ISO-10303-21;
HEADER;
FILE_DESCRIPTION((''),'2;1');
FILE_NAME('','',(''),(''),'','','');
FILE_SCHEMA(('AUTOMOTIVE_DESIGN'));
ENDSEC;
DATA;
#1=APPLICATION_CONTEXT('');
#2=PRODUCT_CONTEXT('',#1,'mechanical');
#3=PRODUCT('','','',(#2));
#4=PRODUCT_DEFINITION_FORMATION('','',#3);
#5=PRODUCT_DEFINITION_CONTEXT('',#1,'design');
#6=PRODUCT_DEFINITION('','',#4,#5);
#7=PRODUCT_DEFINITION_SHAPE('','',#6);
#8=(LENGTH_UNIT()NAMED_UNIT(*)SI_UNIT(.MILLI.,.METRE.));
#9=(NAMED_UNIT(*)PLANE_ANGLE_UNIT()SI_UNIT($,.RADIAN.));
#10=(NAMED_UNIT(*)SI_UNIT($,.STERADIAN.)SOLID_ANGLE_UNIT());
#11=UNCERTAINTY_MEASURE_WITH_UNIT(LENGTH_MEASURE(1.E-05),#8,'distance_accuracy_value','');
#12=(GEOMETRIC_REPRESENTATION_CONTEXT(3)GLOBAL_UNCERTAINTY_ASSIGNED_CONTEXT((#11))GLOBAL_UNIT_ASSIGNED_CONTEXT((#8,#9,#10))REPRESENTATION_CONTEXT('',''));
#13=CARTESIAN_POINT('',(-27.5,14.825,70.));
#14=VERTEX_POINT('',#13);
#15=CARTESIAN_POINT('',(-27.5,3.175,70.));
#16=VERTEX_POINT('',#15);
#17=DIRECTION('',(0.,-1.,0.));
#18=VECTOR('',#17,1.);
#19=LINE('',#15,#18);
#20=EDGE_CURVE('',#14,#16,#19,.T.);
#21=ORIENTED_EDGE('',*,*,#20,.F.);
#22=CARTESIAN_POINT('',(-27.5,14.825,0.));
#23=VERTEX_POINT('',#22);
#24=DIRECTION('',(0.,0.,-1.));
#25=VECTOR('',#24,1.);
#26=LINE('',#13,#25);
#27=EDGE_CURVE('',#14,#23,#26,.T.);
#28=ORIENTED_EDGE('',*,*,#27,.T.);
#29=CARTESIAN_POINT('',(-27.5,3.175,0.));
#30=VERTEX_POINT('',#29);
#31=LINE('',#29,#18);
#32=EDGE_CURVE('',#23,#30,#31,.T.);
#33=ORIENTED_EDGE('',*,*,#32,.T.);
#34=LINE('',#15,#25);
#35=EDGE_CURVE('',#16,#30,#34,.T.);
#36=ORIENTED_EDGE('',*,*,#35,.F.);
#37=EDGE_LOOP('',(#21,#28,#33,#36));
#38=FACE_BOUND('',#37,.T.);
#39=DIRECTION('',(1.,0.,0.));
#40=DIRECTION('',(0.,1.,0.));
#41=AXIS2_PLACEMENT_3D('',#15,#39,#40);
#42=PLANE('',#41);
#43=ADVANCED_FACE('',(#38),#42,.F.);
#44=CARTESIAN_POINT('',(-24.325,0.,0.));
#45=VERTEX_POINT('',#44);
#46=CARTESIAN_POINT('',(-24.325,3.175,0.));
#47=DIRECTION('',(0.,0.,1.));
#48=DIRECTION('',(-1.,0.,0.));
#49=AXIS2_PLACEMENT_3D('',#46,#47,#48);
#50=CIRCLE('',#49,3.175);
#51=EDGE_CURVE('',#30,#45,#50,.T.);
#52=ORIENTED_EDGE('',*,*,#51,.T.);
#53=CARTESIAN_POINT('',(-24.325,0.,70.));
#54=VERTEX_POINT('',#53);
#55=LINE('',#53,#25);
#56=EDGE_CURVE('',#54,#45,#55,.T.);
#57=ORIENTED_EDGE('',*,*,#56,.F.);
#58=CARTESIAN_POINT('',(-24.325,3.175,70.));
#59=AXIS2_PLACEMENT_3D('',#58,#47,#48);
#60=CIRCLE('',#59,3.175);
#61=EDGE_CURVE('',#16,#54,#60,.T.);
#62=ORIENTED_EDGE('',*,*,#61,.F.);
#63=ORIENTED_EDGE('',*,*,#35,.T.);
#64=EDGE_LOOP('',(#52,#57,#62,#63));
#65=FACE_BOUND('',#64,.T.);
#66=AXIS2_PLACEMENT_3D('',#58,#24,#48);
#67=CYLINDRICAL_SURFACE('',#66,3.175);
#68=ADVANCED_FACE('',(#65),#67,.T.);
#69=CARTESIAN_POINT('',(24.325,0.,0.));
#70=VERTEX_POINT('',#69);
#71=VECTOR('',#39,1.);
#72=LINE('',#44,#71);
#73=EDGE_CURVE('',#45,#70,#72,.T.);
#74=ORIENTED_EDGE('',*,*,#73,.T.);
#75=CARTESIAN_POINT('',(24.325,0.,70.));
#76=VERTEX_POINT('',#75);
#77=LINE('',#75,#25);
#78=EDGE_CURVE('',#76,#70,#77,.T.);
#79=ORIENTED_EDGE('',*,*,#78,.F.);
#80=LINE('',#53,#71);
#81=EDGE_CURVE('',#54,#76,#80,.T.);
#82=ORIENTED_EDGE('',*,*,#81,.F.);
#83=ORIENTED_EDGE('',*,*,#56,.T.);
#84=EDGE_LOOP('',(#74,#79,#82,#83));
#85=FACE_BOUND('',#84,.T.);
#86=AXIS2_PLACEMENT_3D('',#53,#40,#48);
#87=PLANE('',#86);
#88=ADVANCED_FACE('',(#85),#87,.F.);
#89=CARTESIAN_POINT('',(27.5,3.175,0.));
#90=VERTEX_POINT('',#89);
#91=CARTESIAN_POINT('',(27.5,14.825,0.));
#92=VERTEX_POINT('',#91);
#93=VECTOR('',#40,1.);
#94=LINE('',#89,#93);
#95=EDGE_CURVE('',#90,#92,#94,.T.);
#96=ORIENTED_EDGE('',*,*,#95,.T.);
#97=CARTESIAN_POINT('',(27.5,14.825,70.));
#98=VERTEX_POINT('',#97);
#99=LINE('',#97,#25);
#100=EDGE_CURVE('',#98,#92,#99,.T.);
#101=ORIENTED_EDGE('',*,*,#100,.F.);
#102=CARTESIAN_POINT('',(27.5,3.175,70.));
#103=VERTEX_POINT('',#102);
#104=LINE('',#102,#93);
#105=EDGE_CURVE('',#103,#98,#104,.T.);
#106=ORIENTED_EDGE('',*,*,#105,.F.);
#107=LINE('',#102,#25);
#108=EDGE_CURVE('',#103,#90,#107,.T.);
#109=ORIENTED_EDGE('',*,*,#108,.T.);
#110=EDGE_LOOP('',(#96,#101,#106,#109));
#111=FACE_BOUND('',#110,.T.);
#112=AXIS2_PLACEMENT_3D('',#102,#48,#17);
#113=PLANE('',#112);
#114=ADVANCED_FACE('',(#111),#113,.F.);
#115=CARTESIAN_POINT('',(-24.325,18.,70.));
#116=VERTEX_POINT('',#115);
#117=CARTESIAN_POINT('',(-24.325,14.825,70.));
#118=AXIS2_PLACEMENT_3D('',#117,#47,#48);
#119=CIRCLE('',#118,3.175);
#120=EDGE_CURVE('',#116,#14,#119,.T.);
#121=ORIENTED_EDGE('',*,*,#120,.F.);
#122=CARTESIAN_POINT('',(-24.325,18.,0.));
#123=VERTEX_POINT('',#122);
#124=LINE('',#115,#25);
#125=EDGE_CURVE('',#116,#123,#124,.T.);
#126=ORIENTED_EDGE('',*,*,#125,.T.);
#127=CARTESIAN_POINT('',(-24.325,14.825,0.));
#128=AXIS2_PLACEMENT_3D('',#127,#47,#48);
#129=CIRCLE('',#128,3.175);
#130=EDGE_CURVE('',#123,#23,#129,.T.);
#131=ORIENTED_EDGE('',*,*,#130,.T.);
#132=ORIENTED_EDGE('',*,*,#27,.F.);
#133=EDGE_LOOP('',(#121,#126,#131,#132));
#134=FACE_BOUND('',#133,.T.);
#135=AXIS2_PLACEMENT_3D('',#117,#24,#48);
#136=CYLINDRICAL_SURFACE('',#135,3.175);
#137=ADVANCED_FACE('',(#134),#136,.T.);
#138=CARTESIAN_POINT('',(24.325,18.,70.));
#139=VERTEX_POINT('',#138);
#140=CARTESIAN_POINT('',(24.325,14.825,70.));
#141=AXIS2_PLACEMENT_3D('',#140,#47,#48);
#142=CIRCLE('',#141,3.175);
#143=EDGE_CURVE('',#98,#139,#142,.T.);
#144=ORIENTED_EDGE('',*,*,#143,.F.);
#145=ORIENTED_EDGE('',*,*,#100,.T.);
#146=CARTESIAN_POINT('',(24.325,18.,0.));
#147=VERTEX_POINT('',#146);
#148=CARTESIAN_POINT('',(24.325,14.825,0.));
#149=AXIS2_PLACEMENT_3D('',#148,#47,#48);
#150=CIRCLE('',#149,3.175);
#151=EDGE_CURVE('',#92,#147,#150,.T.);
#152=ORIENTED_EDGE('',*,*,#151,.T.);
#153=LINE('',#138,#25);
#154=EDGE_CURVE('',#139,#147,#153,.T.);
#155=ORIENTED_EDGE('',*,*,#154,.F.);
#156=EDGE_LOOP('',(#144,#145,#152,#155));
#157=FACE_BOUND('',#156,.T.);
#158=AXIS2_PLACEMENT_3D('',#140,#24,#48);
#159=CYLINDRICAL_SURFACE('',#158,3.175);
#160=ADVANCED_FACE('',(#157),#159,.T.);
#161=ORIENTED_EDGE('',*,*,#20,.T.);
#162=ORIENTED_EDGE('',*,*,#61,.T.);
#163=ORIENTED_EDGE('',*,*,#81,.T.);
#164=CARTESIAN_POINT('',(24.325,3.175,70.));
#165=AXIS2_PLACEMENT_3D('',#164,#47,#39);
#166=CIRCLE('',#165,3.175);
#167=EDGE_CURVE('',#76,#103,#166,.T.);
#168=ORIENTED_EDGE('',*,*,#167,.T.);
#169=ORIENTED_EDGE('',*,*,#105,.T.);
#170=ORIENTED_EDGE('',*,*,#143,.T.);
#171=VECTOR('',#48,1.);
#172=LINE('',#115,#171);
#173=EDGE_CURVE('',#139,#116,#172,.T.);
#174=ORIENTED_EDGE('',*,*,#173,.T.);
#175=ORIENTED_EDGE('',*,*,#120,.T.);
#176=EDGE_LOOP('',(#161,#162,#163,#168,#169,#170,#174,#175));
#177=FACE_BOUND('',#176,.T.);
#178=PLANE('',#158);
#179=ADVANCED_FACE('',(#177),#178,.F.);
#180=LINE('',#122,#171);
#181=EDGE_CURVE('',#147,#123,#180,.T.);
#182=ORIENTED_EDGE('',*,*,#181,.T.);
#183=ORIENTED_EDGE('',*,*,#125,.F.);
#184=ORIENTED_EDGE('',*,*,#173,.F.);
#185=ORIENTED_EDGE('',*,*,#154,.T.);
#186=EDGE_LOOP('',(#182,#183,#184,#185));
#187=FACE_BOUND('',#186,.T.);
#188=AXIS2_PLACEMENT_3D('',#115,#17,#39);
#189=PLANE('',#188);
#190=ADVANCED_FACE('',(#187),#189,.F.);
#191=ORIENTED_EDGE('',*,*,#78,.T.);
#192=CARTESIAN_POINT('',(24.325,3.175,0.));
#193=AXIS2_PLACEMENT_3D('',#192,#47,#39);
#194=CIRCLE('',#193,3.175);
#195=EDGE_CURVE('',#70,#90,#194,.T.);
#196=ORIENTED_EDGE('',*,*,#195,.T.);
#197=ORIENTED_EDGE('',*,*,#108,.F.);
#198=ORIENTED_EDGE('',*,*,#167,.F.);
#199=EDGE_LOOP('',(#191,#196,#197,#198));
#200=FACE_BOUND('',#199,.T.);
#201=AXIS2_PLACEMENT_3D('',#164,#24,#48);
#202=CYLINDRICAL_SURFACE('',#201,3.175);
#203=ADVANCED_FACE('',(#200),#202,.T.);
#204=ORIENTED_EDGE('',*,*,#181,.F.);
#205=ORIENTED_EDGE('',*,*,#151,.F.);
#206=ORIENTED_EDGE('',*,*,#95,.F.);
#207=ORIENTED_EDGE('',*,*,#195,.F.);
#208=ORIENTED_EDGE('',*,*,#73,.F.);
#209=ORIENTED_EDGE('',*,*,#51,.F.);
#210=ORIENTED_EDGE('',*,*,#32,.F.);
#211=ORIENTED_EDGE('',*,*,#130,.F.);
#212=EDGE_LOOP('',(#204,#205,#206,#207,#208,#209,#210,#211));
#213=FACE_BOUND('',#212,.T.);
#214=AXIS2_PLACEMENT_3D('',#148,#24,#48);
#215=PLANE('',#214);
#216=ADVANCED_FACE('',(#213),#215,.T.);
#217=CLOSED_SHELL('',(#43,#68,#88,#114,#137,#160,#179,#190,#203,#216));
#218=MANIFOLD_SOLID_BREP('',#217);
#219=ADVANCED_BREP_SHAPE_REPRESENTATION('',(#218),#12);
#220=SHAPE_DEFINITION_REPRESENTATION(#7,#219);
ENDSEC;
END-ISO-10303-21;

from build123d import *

# Parameters (mm, degrees)
BOSS_EXTRUDE1_DEPTH = 70


with BuildPart() as part:
    # Sketch1 → Boss-Extrude1 (new body)
    with BuildSketch(Plane.XY):
        with BuildLine():
            Line((-24.325, 0), (24.325, 0))
            ThreePointArc((24.325, 0), (26.57006403, 0.92993597), (27.5, 3.175))
            Line((27.5, 3.175), (27.5, 14.825))
            ThreePointArc((27.5, 14.825), (26.57006403, 17.07006403), (24.325, 18))
            Line((24.325, 18), (-24.325, 18))
            ThreePointArc((-24.325, 18), (-26.57006403, 17.07006403), (-27.5, 14.825))
            Line((-27.5, 14.825), (-27.5, 3.175))
            ThreePointArc((-27.5, 3.175), (-26.57006403, 0.92993597), (-24.325, 0))
        make_face()
    extrude(amount=BOSS_EXTRUDE1_DEPTH)


solid = part.part
